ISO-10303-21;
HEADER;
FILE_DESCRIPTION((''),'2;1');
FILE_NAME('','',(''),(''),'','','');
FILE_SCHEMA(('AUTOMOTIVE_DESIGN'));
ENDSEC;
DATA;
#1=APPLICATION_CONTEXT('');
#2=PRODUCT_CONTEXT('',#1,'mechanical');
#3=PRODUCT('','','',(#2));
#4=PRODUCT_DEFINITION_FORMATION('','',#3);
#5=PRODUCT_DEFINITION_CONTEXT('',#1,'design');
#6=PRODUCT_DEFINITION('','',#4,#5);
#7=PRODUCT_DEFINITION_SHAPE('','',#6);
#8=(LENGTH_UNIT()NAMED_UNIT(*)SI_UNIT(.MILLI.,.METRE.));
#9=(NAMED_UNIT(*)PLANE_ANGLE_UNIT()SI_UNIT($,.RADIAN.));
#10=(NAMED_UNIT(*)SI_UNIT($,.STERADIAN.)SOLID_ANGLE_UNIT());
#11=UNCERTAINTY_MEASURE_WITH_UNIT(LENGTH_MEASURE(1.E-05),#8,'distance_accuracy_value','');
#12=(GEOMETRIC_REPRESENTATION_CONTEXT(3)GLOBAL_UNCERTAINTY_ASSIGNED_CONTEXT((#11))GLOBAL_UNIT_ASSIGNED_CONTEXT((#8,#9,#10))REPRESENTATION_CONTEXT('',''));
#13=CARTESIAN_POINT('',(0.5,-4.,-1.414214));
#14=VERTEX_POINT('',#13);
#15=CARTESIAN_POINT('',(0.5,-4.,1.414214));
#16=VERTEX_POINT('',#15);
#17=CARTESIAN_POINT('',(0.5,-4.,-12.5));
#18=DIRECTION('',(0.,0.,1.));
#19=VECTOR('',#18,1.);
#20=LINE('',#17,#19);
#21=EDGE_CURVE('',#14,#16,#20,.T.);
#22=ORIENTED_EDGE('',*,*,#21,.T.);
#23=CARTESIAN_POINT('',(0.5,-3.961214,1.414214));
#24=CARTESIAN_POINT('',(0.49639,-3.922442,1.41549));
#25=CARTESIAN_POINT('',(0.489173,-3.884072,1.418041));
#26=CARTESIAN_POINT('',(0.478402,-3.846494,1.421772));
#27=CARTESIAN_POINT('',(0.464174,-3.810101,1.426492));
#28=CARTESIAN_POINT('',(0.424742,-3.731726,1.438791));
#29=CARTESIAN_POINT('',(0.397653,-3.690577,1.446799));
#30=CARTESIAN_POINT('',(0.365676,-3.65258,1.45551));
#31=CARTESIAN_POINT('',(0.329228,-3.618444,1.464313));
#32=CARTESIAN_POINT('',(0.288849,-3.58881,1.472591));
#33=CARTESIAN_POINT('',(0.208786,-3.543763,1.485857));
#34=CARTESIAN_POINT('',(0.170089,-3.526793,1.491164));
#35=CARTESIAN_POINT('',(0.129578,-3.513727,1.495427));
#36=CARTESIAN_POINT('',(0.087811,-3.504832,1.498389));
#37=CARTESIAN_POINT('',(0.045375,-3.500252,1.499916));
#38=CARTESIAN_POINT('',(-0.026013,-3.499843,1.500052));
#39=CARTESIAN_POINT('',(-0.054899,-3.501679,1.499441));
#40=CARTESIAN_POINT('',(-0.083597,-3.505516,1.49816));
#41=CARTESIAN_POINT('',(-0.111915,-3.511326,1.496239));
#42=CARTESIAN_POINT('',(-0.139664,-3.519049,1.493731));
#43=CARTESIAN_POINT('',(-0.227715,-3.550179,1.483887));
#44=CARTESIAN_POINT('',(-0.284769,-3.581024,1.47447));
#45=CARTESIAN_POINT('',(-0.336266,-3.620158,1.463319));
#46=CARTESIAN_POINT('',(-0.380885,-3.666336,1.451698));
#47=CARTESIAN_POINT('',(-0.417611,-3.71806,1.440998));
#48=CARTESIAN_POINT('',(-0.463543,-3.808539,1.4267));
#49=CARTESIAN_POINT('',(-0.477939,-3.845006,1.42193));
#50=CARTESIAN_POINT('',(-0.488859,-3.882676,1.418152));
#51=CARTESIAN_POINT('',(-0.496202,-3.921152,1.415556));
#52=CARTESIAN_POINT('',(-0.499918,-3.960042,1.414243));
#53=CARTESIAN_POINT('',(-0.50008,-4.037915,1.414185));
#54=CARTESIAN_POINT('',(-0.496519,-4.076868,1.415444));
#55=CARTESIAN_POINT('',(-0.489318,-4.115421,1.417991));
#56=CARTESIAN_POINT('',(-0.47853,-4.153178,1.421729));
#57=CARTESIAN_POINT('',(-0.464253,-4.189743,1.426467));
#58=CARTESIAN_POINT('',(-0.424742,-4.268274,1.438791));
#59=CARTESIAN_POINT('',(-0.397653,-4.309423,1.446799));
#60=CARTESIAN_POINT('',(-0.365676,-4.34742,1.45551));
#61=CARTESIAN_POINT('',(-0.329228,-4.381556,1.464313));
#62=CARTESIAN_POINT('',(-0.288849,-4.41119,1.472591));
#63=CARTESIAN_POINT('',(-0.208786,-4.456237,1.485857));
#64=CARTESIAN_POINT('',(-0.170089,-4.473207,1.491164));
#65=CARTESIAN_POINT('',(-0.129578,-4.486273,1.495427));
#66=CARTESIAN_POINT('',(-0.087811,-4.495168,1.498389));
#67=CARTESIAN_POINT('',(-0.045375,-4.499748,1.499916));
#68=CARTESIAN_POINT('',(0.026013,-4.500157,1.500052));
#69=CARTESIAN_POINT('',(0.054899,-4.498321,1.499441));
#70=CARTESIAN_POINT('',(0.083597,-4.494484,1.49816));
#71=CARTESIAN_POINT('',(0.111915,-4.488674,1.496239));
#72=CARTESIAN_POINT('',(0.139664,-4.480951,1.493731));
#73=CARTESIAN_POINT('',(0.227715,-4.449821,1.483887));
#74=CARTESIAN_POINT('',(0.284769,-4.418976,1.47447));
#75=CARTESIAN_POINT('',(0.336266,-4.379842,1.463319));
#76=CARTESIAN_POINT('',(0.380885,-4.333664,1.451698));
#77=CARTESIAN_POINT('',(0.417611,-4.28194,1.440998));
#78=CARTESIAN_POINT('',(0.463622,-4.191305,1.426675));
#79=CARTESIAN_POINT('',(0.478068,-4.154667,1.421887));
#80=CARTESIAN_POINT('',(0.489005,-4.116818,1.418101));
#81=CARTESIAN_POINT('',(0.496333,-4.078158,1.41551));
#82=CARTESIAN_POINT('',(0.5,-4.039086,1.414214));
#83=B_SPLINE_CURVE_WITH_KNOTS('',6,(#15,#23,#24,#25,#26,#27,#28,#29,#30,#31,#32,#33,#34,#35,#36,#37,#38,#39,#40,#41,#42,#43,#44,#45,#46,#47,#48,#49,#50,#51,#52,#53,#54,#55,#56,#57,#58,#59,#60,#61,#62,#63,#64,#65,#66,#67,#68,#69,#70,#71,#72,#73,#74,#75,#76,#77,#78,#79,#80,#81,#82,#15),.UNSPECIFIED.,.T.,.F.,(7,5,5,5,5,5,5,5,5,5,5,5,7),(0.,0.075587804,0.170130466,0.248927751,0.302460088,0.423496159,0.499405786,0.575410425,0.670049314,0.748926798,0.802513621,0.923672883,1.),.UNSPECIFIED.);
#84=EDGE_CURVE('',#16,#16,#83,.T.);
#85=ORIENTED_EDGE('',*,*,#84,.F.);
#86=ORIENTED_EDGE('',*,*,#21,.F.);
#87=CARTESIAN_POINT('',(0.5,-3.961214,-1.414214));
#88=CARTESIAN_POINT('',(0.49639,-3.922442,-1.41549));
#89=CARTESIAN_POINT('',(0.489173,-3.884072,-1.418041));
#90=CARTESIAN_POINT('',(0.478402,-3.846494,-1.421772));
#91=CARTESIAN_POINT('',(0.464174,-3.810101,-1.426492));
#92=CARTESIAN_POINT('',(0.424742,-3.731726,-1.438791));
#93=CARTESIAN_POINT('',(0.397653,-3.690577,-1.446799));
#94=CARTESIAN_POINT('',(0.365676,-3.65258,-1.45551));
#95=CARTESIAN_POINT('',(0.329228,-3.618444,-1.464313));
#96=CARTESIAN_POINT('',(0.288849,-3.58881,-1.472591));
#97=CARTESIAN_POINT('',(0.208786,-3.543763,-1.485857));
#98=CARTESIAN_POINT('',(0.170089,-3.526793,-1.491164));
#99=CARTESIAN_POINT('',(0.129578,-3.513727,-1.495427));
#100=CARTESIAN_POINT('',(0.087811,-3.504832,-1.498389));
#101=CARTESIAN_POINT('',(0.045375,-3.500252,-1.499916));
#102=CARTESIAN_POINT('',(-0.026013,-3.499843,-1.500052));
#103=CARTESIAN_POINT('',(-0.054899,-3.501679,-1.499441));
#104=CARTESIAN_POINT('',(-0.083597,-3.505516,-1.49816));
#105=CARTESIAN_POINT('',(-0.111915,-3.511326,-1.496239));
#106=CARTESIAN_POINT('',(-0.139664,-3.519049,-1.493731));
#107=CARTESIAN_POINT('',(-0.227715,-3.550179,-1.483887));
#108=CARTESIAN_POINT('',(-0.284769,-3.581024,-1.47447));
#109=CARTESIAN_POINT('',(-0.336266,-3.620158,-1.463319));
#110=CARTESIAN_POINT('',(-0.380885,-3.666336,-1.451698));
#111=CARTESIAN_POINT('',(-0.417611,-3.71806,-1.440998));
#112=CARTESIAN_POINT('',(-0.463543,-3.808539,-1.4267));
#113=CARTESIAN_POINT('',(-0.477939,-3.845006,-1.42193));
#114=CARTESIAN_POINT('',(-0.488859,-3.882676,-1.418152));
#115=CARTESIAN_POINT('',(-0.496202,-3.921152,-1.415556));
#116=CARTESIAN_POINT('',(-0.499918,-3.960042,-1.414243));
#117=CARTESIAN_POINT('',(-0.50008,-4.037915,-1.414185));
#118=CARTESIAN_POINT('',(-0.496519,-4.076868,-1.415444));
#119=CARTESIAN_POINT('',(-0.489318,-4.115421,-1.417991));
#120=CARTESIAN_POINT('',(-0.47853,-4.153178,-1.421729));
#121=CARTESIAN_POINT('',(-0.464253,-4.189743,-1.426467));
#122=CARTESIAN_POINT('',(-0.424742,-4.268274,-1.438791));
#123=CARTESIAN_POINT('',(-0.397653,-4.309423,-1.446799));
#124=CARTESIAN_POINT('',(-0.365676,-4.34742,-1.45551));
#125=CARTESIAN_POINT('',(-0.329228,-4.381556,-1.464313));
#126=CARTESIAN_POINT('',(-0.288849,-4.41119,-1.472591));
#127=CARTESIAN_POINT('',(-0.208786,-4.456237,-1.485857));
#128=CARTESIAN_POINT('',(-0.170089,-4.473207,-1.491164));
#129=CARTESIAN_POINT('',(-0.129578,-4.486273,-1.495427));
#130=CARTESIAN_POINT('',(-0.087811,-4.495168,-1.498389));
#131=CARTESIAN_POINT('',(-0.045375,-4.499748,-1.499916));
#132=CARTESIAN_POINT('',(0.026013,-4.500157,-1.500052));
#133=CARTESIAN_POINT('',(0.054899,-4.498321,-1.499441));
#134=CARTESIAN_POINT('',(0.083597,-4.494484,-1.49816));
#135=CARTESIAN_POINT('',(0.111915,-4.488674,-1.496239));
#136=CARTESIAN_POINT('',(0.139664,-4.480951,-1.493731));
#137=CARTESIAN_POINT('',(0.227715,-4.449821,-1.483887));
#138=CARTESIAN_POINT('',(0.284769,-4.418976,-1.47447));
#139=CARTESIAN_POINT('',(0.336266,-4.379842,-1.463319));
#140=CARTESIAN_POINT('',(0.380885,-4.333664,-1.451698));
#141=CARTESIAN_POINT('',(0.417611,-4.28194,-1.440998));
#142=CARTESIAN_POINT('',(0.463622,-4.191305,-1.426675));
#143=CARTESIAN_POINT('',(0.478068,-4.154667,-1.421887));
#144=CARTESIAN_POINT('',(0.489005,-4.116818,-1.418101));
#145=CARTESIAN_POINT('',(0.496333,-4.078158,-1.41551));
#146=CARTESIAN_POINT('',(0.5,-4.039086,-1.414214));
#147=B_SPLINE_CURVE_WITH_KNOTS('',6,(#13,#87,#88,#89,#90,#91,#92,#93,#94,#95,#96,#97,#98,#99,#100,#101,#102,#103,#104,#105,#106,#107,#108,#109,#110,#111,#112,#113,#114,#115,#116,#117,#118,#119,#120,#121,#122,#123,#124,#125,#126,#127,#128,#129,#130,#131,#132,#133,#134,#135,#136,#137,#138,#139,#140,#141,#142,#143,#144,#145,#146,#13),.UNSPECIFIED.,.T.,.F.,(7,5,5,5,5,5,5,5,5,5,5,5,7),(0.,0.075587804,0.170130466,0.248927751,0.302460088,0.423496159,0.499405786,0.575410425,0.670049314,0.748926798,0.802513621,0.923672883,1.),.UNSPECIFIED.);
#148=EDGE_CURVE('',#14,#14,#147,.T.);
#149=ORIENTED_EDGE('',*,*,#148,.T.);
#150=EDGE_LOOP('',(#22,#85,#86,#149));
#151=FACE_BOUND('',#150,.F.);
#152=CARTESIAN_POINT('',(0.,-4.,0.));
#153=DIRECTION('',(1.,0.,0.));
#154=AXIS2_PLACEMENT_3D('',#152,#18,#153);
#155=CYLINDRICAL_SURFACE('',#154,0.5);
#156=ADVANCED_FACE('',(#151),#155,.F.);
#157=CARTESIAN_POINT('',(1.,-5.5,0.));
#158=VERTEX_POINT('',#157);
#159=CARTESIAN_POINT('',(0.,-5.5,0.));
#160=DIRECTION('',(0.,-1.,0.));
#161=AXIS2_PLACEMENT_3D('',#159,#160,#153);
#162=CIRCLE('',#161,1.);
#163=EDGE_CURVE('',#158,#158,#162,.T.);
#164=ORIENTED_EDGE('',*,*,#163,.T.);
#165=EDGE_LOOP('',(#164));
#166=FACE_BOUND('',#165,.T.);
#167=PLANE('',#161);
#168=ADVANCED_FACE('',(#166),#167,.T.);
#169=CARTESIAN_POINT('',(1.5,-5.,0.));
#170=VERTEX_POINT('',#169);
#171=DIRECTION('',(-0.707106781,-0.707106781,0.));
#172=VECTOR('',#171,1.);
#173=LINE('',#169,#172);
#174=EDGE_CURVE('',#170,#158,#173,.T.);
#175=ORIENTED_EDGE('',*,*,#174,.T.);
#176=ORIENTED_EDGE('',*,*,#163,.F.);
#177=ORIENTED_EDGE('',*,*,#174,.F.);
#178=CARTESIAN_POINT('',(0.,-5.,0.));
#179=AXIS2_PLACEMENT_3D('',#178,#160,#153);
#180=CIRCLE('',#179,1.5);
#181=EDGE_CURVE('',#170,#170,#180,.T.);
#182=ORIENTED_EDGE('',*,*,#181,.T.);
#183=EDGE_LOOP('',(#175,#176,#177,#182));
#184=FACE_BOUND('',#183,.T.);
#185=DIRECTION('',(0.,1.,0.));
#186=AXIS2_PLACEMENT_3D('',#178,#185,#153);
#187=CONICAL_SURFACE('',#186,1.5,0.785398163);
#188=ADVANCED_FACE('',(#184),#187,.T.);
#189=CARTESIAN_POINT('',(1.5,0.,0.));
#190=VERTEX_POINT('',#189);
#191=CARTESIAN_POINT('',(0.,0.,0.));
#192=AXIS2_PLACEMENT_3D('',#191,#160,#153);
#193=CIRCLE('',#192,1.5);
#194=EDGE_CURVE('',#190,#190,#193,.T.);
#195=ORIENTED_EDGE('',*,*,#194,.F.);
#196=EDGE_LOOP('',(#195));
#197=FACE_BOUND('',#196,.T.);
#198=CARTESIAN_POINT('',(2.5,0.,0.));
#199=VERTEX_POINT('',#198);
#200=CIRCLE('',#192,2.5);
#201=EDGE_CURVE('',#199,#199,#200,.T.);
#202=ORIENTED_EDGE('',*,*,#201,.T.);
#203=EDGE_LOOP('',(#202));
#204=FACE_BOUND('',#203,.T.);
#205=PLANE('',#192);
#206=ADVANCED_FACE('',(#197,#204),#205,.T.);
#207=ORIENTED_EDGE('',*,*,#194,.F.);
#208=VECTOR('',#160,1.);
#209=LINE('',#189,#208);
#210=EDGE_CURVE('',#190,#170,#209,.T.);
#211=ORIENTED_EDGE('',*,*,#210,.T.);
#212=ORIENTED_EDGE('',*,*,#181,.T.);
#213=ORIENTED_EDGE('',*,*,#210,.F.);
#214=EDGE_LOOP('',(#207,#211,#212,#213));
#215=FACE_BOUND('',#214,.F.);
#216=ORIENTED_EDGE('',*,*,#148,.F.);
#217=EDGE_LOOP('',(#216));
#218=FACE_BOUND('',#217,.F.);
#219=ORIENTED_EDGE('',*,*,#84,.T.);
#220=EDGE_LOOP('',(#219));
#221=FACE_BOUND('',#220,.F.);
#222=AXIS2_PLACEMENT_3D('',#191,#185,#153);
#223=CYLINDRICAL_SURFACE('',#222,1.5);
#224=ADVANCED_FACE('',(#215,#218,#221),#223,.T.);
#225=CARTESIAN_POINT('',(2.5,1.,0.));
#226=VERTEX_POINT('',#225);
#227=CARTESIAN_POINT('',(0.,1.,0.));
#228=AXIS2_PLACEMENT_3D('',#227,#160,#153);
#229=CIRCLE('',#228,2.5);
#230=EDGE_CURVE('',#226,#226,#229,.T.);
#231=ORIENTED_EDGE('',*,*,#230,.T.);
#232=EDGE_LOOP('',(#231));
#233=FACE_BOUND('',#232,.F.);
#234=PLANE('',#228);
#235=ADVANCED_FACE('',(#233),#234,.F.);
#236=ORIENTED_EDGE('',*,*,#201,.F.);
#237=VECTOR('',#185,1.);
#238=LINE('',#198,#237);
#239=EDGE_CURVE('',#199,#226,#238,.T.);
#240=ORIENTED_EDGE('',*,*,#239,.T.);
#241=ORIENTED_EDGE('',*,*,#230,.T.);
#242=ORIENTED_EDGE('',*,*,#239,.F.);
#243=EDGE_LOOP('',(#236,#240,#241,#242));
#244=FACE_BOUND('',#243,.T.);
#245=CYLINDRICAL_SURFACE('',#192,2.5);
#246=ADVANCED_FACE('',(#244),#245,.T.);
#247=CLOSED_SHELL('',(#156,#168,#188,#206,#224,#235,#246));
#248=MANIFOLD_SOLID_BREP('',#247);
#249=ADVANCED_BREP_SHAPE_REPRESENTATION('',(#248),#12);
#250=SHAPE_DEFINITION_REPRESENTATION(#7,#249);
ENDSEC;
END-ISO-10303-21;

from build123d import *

# Parameters (mm, degrees)
F0_R     = 1.5
F1_DEPTH = 5.5
F0_R_2   = 2.5
F2_DEPTH = 1
F3_SIZE  = 0.5
F4_R     = 0.5
F5_DEPTH = 12.5


with BuildPart() as f1:
    # F0 (on Front) → F1 (new body)
    with BuildSketch(Plane.XZ):
        Circle(F0_R)
    extrude(amount=F1_DEPTH)

    # F0 (on Front) → F2 (join)
    with BuildSketch(Plane.XZ):
        Circle(F0_R_2)
        Circle(F0_R, mode=Mode.SUBTRACT)
        Circle(F0_R)
    extrude(amount=-F2_DEPTH)

    # F3
    f3_edges = [f1.edges().sort_by_distance(p)[0] for p in [
        (-1.5, -5.5, 0),
    ]]
    chamfer(f3_edges, length=F3_SIZE)

    # F4 (on Top) → F5 (cut, symmetric)
    with BuildSketch(Plane.XY):
        with Locations((0, -4)):
            Circle(F4_R)
    extrude(amount=F5_DEPTH, both=True, mode=Mode.SUBTRACT)


solid = f1.part
